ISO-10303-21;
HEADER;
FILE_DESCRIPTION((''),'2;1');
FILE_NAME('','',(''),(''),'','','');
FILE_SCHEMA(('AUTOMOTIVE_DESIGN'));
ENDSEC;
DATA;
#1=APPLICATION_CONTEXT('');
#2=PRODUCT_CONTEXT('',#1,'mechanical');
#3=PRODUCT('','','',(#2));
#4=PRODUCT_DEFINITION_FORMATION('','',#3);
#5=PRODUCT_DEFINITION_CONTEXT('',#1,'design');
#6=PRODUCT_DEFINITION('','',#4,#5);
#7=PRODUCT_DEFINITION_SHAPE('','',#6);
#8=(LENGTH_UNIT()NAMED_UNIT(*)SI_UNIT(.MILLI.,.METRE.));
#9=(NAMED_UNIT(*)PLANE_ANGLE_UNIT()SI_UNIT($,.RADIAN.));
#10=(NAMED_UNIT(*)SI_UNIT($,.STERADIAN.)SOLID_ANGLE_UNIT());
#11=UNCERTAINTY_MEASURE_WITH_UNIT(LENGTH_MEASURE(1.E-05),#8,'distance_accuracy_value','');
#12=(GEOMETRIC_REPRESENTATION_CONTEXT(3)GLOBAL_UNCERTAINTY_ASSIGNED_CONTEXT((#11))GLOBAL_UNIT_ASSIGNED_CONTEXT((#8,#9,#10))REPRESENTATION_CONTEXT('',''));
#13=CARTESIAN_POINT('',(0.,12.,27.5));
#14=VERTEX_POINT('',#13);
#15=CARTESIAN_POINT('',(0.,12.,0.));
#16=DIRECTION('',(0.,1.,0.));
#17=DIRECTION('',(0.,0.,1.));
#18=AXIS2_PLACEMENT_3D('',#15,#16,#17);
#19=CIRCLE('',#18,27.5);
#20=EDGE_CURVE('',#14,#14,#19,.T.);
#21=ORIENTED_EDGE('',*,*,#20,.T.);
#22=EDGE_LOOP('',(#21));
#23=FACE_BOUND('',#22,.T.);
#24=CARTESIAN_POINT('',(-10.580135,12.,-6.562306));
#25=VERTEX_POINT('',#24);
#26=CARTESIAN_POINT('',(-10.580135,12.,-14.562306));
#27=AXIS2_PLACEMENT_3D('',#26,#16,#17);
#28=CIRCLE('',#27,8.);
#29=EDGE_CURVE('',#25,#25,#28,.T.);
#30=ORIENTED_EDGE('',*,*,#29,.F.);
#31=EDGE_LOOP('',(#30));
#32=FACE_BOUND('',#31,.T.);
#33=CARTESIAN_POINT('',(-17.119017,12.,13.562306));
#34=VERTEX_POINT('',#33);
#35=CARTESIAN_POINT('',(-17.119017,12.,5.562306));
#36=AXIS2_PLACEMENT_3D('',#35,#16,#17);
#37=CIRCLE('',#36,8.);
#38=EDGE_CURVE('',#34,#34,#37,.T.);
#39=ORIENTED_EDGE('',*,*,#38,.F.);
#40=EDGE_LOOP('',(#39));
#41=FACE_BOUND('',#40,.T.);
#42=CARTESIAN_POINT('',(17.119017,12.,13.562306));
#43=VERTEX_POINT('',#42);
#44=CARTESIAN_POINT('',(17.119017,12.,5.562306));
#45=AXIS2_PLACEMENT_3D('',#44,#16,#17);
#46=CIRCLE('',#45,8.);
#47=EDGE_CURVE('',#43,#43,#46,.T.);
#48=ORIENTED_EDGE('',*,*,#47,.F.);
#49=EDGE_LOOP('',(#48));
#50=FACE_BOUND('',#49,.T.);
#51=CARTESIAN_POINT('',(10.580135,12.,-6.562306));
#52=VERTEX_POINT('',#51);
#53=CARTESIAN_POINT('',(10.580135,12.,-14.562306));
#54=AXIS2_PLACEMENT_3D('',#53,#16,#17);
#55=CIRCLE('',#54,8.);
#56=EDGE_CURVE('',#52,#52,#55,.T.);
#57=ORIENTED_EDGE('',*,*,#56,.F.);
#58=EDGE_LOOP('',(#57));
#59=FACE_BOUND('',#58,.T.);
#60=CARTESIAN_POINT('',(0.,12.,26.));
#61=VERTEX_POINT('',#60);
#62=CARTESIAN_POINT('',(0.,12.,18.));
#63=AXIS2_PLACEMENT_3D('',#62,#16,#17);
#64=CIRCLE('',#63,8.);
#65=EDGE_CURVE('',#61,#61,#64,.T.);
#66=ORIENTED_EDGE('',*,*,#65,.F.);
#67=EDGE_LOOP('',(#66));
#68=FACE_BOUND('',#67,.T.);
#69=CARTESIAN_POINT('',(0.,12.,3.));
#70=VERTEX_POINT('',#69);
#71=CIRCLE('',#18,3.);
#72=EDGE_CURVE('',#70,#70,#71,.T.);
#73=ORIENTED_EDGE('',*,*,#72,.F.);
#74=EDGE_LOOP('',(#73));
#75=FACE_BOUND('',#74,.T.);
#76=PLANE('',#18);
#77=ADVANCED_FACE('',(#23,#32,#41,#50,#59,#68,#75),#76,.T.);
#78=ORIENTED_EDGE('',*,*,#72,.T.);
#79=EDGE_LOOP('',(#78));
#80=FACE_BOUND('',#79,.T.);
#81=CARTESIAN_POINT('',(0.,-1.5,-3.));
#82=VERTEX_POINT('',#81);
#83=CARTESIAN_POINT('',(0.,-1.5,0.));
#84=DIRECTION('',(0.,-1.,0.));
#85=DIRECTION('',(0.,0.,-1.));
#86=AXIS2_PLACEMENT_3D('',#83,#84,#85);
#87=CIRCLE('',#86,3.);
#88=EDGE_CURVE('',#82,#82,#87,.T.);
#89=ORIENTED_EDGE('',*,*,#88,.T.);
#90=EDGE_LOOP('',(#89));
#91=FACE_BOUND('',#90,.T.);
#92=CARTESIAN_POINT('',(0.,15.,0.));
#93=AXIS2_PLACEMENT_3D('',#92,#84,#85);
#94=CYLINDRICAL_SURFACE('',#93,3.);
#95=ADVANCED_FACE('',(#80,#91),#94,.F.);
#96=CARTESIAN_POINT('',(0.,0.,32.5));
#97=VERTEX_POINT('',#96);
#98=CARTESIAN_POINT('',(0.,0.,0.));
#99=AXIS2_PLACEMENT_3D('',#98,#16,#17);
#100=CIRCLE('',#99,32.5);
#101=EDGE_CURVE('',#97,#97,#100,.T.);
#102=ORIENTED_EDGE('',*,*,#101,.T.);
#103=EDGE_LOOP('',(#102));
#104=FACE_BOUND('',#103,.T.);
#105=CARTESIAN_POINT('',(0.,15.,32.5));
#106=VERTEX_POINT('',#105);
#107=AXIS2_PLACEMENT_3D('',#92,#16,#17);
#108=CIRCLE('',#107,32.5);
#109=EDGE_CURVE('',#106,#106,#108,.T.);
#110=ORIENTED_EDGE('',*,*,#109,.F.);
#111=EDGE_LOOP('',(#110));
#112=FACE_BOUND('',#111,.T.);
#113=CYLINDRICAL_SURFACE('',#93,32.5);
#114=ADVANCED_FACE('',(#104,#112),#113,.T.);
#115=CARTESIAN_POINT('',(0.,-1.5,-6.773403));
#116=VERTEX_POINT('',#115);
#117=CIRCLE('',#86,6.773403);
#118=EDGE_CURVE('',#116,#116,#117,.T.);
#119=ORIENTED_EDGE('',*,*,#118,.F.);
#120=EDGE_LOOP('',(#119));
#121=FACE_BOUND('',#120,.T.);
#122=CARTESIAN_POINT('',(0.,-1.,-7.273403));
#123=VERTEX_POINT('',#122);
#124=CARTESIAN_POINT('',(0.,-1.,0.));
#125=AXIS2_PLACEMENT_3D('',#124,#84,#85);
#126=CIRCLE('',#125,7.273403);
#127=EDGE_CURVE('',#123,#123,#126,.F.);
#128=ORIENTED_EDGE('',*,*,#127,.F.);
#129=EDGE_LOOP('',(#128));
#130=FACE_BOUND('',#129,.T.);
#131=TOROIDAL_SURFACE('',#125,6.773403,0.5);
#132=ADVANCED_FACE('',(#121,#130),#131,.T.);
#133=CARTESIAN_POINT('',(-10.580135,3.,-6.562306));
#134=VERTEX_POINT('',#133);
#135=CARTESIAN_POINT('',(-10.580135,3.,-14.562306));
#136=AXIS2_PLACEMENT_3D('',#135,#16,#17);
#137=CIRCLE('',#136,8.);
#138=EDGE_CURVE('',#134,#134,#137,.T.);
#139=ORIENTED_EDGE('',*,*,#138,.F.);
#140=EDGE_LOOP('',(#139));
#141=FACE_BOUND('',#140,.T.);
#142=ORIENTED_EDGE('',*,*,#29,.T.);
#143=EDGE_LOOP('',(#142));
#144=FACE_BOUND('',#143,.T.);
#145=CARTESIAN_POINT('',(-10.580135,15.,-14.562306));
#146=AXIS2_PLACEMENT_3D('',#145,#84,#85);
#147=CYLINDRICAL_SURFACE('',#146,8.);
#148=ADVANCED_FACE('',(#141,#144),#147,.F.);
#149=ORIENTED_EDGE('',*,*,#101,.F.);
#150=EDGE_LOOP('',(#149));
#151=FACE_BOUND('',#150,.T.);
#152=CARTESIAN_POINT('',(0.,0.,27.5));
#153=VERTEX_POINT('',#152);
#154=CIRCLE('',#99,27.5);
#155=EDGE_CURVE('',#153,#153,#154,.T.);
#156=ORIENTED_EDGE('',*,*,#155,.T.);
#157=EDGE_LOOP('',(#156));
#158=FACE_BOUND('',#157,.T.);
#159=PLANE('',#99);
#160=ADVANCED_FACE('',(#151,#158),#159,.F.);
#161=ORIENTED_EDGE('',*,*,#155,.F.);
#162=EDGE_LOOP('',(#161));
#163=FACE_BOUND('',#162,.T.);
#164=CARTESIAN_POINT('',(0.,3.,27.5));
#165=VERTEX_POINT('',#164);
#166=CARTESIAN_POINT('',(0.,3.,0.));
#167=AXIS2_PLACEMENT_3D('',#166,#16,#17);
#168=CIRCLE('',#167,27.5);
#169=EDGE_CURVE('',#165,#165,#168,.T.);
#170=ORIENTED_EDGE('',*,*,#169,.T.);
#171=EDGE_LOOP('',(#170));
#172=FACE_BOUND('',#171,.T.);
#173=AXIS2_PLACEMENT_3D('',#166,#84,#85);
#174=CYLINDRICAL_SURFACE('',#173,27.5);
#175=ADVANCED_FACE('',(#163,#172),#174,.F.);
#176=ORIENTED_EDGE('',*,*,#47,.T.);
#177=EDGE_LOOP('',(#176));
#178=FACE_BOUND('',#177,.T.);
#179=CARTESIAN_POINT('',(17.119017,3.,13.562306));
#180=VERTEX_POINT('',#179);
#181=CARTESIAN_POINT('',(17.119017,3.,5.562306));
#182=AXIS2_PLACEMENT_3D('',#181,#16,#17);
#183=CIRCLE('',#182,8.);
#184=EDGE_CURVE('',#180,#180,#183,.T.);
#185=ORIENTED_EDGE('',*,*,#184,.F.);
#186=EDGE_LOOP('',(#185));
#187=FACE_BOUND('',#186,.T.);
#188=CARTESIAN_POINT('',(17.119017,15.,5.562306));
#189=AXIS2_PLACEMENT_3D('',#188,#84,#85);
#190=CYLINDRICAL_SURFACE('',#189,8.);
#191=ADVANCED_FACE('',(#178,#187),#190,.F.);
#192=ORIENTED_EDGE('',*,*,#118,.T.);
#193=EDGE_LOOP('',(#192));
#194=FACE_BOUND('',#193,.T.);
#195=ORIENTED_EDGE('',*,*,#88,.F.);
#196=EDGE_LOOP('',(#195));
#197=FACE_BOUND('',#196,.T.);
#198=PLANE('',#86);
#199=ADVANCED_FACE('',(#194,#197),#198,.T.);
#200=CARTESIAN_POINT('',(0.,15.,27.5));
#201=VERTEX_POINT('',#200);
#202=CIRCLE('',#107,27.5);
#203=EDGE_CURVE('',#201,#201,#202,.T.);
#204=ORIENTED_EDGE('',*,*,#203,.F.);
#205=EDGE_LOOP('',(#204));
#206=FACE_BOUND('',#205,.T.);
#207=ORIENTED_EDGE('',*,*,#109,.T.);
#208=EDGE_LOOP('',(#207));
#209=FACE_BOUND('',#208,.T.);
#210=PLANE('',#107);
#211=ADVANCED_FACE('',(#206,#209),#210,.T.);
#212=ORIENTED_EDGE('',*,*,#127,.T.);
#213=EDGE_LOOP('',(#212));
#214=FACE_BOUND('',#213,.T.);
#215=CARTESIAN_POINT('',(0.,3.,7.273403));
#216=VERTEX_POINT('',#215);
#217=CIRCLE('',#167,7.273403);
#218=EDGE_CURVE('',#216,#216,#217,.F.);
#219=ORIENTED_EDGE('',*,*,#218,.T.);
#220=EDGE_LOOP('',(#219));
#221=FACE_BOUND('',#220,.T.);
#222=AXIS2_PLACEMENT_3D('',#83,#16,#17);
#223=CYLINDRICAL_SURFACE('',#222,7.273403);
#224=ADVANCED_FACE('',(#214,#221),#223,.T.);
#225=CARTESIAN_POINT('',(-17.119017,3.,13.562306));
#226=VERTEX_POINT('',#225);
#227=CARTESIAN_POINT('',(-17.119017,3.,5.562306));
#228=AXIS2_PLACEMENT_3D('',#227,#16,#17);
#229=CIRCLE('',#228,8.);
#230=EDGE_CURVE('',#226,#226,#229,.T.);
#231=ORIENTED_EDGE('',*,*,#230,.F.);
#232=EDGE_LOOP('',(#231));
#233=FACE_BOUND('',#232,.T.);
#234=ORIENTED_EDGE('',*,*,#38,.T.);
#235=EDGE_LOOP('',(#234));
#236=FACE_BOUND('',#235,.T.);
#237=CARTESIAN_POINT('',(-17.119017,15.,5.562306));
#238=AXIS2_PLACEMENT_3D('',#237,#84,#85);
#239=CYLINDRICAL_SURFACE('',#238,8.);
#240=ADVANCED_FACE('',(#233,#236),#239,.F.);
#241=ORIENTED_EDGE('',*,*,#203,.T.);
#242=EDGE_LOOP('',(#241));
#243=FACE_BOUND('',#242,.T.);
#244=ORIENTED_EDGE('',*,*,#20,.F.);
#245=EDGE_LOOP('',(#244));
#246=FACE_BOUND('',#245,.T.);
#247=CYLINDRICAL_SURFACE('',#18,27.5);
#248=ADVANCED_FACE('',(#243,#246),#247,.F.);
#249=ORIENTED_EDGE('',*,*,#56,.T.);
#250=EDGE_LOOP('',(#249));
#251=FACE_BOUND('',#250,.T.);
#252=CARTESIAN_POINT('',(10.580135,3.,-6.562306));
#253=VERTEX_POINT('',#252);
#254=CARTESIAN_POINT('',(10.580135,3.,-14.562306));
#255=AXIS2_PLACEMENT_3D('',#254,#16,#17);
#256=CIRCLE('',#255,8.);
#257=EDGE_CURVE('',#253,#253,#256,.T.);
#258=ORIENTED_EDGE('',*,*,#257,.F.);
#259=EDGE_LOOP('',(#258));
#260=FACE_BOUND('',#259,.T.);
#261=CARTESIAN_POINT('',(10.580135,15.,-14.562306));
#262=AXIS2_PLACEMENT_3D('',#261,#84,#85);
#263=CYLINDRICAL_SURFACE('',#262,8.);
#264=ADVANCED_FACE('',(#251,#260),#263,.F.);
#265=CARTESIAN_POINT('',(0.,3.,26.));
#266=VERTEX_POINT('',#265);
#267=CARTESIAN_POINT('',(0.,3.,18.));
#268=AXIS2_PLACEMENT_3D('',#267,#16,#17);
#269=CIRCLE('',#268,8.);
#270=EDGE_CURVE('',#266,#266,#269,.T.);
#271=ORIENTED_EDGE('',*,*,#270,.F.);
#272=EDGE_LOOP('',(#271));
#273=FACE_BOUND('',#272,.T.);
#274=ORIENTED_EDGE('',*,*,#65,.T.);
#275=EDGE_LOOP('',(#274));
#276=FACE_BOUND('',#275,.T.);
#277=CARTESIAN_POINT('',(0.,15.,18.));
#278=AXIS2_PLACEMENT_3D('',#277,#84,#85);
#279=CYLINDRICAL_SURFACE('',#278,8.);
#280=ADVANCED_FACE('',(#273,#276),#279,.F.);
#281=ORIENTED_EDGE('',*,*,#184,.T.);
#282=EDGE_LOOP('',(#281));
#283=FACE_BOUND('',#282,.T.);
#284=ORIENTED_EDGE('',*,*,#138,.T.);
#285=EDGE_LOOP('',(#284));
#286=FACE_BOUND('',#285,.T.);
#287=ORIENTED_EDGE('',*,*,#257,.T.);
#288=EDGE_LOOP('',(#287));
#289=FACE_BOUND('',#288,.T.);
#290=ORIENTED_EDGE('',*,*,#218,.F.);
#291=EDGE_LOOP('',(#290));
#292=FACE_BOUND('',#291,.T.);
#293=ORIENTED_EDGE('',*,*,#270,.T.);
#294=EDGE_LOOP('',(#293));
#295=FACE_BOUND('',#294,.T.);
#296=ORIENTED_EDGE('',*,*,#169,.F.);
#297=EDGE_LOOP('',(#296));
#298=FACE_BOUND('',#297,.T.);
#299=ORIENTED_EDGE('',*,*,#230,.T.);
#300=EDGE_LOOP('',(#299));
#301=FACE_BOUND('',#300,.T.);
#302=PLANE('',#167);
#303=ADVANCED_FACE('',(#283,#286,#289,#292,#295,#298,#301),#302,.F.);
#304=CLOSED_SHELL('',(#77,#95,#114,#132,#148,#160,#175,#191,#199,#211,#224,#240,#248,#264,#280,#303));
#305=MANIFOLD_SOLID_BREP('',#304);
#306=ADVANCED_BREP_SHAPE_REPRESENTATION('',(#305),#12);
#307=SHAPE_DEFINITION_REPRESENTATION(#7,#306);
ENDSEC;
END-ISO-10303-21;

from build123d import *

# Parameters (mm, degrees)
SKETCH2_R               = 32.5
BOSS_EXTRUDE1_DEPTH     = 15
SKETCH3_R               = 27.5
CUT_EXTRUDE1_DEPTH      = 3
CUT_EXTRUDE2_START      = -12
SKETCH3_2_R             = 27.5
CUT_EXTRUDE2_DEPTH      = 3
CUT_EXTRUDE3_DEPTH      = 48.502631506
CUT_EXTRUDE3_DEPTH_BACK = 48.502631506
SKETCH4_R               = 8
SKETCH5_R               = 7.273402988
BOSS_EXTRUDE2_DEPTH     = 4.5
FILLET3_R               = 0.5
CUT_EXTRUDE4_DEPTH      = 49.833902158
CUT_EXTRUDE4_DEPTH_BACK = 49.833902158
SKETCH6_R               = 3


with BuildPart() as part:
    # Sketch2 → Boss-Extrude1 (new body)
    with BuildSketch(Plane(origin=(0, 0, 0), x_dir=(1, 0, 0), z_dir=(0, 1, 0))):
        Circle(SKETCH2_R)
    extrude(amount=BOSS_EXTRUDE1_DEPTH)

    # Sketch3 → Cut-Extrude1 (cut)
    with BuildSketch(Plane(origin=(0, 15, 0), x_dir=(1, 0, 0), z_dir=(0, 1, 0))):
        Circle(SKETCH3_R)
    extrude(amount=-CUT_EXTRUDE1_DEPTH, mode=Mode.SUBTRACT)

    # Sketch3<2> → Cut-Extrude2 (cut)
    with BuildSketch(Plane(origin=(0, 15, 0), x_dir=(1, 0, 0), z_dir=(0, 1, 0)).offset(CUT_EXTRUDE2_START)):
        Circle(SKETCH3_2_R)
    extrude(amount=-CUT_EXTRUDE2_DEPTH, mode=Mode.SUBTRACT)

    # Sketch4 → Cut-Extrude3 (cut, two sides: drawn at the far end of the back side and taken through both)
    with BuildSketch(Plane.XZ.offset(-3).offset(-CUT_EXTRUDE3_DEPTH_BACK)):
        with Locations((0, 18)):
            Circle(SKETCH4_R)
        with Locations((17.119017293, 5.562305899)):
            Circle(SKETCH4_R)
        with Locations((10.580134541, -14.562305899)):
            Circle(SKETCH4_R)
        with Locations((-10.580134541, -14.562305899)):
            Circle(SKETCH4_R)
        with Locations((-17.119017293, 5.562305899)):
            Circle(SKETCH4_R)
    extrude(amount=CUT_EXTRUDE3_DEPTH + CUT_EXTRUDE3_DEPTH_BACK, mode=Mode.SUBTRACT)

    # Sketch5 → Boss-Extrude2 (add)
    with BuildSketch(Plane.XZ.offset(-3)):
        Circle(SKETCH5_R)
    extrude(amount=BOSS_EXTRUDE2_DEPTH)

    # Fillet3
    fillet3_edges = [part.edges().sort_by_distance(p)[0] for p in [
        (-7.273402988, -1.5, 0),
    ]]
    fillet(fillet3_edges, radius=FILLET3_R)

    # Sketch6 → Cut-Extrude4 (cut, two sides: drawn at the far end of the back side and taken through both)
    with BuildSketch(Plane.XZ.offset(1.5).offset(-CUT_EXTRUDE4_DEPTH_BACK)):
        Circle(SKETCH6_R)
    extrude(amount=CUT_EXTRUDE4_DEPTH + CUT_EXTRUDE4_DEPTH_BACK, mode=Mode.SUBTRACT)


solid = part.part
